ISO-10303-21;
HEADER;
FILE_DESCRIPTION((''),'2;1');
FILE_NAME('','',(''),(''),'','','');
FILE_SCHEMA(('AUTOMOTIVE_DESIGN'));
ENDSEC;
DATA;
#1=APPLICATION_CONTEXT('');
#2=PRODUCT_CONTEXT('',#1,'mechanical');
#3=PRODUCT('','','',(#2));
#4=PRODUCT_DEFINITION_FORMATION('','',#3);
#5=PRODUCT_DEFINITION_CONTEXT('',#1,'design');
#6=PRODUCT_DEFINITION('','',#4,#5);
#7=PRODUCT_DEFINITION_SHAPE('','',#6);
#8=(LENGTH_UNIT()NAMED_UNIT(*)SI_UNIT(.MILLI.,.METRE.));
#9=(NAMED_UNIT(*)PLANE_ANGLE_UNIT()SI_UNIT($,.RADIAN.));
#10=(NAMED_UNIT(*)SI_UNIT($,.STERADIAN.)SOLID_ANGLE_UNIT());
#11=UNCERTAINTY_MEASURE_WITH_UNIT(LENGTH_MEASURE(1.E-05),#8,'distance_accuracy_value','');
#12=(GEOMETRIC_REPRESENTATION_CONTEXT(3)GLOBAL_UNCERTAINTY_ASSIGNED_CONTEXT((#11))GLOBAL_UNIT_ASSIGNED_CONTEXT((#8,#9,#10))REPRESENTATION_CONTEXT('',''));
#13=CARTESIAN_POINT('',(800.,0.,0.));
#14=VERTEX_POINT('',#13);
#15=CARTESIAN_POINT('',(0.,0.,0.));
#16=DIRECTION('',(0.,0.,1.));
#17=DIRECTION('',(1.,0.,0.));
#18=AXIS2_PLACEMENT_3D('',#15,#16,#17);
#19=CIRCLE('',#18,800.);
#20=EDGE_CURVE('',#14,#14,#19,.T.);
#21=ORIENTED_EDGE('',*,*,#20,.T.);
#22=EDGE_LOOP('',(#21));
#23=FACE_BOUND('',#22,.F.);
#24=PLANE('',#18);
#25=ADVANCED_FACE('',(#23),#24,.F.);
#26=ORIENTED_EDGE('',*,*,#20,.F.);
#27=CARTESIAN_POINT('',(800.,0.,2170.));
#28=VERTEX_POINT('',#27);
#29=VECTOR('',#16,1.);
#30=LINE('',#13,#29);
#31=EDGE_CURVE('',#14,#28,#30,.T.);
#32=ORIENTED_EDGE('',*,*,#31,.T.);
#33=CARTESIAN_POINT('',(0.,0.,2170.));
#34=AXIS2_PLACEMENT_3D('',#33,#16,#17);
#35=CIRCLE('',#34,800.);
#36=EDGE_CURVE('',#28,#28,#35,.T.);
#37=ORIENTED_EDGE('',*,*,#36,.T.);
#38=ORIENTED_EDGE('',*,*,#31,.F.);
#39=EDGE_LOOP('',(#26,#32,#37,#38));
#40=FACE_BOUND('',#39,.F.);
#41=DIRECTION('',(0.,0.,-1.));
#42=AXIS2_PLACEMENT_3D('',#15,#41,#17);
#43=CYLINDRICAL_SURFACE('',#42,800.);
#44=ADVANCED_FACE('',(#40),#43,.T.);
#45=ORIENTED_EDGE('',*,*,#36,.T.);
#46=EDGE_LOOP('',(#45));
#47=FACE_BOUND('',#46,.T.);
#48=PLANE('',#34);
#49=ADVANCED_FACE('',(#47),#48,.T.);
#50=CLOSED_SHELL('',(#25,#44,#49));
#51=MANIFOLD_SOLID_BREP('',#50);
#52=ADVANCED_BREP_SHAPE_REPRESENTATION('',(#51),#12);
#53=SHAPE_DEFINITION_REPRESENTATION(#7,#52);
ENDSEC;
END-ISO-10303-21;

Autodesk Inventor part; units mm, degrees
ref_plane "YZ Plane" through (0, 0, 0) normal (1, 0, 0) x (0, 1, 0)
ref_plane "XZ Plane" through (0, 0, 0) normal (0, 1, 0) x (-1, 0, 0)
ref_plane "XY Plane" through (0, 0, 0) normal (0, 0, 1) x (1, 0, 0)
sketch "Sketch1" plane through (0, 0, 0) normal (0, 0, 1) x (1, 0, 0)
  circle A0 centre (0, 0) radius 800
  dimension "d0" = 1600
extrude "Extrusion1" add sketch "Sketch1" along normal blind 2170
properties part number "NDM-VOS dummy1"
